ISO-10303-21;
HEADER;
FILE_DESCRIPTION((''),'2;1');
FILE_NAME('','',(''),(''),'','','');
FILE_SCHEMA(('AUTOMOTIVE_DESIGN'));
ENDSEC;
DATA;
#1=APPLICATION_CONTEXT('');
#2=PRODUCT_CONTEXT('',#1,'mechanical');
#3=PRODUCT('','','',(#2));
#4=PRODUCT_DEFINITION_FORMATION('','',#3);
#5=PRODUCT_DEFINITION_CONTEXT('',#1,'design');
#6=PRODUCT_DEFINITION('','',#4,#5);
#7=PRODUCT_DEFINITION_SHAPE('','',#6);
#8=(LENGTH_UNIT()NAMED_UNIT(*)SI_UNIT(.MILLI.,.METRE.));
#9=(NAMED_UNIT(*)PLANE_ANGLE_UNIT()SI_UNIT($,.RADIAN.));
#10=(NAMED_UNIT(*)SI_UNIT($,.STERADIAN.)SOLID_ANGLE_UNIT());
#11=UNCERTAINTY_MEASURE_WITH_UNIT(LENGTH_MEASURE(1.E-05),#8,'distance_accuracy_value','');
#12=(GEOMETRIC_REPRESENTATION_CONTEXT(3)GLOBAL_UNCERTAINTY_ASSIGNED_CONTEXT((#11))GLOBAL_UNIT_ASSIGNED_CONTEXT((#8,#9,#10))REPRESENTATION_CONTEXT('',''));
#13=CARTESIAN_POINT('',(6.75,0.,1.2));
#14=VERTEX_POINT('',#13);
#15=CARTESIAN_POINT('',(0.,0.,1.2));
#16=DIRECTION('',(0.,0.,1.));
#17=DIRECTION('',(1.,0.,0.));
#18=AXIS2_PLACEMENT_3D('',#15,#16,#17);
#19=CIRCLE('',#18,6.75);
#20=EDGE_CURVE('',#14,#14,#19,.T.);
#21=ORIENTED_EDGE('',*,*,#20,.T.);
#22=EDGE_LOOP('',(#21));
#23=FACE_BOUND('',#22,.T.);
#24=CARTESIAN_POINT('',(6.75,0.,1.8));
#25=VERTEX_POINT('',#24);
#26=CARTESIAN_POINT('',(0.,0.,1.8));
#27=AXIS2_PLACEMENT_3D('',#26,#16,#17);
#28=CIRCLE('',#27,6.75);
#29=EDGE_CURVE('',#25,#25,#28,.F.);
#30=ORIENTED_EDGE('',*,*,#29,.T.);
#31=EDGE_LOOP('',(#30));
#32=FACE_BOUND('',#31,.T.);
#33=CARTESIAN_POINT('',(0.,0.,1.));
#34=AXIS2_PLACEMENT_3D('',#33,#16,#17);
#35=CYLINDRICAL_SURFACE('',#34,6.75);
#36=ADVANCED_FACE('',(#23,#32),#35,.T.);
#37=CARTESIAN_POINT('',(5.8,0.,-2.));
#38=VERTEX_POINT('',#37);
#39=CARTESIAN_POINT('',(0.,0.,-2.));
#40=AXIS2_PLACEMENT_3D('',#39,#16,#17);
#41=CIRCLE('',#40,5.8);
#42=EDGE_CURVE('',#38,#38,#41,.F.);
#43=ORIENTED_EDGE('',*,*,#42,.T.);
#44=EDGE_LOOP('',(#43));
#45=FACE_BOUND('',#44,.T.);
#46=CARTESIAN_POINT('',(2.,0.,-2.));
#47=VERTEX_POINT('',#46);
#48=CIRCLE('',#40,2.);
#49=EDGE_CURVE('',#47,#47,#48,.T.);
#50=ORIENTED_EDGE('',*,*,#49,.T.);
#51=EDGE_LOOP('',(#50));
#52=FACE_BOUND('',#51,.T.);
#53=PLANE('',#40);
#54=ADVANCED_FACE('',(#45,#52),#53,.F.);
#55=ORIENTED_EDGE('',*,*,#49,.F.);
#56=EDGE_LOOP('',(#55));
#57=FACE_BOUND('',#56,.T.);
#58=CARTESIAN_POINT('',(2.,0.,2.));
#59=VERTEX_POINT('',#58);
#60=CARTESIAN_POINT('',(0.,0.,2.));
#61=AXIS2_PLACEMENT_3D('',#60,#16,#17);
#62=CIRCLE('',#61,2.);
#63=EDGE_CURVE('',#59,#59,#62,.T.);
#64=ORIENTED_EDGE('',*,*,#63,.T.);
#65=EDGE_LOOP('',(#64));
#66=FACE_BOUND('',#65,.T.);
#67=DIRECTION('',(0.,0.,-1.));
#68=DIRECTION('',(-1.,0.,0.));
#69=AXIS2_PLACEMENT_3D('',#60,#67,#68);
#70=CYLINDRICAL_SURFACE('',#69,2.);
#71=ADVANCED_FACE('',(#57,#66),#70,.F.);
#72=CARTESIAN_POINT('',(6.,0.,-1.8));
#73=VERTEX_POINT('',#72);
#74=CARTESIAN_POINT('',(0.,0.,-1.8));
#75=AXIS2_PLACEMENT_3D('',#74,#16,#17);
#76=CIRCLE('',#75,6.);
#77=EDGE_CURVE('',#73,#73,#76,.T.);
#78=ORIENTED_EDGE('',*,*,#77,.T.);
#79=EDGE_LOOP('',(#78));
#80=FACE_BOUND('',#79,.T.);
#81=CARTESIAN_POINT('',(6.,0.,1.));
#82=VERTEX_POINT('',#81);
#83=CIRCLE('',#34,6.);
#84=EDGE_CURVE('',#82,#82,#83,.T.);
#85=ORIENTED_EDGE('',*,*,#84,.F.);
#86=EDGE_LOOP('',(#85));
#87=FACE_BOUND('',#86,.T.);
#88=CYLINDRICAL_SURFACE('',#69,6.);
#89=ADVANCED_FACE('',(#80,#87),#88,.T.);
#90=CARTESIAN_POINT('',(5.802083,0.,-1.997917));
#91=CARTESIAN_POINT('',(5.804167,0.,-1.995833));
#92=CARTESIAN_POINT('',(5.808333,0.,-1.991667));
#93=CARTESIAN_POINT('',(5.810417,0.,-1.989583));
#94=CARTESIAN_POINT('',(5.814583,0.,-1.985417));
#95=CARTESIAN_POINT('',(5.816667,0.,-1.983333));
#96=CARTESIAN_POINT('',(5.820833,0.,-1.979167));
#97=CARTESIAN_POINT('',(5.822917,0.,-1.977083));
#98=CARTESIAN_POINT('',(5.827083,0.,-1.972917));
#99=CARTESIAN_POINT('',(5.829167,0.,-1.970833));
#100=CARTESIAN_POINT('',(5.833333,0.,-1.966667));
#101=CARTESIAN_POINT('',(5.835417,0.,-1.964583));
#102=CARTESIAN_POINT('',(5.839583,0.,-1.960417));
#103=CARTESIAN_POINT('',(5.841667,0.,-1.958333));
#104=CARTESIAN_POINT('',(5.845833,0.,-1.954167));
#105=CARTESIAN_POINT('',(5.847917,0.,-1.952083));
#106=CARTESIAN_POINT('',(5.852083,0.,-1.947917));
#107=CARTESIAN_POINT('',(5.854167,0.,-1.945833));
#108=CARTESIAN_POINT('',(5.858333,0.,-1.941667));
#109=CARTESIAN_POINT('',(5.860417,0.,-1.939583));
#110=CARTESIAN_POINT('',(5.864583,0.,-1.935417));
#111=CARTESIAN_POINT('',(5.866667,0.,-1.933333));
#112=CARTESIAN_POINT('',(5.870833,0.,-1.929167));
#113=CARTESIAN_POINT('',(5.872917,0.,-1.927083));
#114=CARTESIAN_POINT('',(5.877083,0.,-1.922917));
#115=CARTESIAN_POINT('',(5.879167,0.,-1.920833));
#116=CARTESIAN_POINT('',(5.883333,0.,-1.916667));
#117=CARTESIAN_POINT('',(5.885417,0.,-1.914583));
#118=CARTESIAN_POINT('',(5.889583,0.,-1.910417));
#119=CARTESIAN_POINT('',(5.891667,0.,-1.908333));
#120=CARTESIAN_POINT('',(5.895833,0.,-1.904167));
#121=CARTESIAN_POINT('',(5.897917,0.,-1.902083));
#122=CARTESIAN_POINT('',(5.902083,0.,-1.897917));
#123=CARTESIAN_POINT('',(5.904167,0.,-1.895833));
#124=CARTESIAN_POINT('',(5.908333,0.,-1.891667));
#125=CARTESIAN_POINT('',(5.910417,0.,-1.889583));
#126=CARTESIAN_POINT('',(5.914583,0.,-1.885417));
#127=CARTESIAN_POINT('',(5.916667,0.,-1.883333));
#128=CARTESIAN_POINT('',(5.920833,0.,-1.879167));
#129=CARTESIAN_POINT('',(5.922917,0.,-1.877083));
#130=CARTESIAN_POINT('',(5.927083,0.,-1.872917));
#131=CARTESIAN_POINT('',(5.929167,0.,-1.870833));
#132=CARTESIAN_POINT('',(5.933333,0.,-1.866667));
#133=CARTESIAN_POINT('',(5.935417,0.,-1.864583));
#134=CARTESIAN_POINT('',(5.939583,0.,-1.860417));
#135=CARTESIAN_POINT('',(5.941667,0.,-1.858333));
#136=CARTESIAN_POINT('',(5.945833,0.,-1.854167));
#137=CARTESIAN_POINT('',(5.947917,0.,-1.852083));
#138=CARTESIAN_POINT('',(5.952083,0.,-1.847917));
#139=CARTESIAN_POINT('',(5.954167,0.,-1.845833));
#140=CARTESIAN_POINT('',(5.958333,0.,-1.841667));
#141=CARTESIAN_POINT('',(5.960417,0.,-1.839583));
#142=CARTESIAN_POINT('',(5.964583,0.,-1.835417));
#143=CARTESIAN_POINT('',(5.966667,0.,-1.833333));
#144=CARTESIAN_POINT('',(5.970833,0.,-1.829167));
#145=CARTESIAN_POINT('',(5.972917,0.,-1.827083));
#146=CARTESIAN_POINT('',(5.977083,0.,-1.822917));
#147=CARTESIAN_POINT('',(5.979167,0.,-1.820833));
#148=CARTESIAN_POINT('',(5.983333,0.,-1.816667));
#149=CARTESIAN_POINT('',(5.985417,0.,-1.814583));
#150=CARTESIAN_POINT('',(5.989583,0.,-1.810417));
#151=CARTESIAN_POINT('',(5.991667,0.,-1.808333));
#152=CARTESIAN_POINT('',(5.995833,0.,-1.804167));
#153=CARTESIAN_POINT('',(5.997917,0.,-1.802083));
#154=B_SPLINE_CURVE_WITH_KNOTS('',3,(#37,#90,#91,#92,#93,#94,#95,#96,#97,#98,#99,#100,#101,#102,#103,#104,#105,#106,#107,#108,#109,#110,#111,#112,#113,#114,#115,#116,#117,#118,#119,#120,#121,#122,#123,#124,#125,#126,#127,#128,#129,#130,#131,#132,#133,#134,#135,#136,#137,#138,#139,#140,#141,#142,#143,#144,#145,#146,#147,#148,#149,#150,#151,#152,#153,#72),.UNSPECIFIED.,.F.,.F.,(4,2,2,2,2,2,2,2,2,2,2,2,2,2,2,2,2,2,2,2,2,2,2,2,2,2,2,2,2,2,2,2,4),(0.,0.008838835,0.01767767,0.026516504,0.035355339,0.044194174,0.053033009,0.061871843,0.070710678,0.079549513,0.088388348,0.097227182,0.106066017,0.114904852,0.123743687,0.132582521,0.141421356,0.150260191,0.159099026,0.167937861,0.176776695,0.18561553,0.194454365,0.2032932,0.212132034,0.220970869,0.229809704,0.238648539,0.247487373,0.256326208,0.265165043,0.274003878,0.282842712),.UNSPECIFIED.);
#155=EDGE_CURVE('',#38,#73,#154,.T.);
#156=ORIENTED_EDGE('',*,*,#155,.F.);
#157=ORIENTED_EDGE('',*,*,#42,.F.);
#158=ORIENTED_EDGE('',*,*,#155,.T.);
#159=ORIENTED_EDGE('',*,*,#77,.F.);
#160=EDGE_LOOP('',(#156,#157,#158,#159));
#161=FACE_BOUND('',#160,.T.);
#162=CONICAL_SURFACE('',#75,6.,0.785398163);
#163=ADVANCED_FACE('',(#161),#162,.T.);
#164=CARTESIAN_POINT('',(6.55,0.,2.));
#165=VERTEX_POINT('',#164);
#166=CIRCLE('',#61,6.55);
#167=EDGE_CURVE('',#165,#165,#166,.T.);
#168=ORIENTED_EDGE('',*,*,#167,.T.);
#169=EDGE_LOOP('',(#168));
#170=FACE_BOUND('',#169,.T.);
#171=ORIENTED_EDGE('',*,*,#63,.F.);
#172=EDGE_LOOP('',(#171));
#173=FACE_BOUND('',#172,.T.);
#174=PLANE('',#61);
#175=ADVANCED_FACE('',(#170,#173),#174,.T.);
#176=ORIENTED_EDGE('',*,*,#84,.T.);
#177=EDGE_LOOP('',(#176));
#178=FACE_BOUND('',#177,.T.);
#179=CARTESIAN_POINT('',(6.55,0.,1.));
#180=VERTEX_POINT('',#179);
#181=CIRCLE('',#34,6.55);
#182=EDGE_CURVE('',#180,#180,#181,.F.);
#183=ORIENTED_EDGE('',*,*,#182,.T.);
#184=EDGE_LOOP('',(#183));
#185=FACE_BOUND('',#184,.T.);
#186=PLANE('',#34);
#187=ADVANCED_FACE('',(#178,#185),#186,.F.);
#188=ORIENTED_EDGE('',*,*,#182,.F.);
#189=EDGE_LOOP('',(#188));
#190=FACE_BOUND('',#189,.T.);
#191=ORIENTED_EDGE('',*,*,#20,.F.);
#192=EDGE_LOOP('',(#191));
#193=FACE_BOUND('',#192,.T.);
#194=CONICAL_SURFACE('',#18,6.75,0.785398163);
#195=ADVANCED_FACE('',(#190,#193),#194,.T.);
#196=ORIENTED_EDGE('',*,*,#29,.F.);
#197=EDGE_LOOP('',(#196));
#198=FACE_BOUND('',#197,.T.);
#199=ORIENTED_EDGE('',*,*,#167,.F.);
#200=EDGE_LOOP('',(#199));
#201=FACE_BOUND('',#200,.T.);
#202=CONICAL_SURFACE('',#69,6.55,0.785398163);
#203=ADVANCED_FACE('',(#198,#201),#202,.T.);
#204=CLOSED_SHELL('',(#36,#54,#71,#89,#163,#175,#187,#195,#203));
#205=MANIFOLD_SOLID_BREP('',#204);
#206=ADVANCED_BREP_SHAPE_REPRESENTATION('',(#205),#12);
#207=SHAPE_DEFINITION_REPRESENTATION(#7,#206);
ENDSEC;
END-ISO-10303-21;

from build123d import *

# Parameters (mm, degrees)
SKETCH_1_R      = 6
SKETCH_1_R_2    = 2
EXTRUDE_1_DEPTH = 2
EXTRUDE_START   = -1
SKETCH_2_R      = 6.75
SKETCH_2_R_2    = 2
EXTRUDE_2_DEPTH = 1
CHAMFER_1_SIZE  = 0.2


with BuildPart() as part:
    # 草图1 → 凸台-拉伸1 (new, symmetric)
    with BuildSketch(Plane.XY):
        Circle(SKETCH_1_R)
        Circle(SKETCH_1_R_2, mode=Mode.SUBTRACT)
    extrude(amount=EXTRUDE_1_DEPTH, both=True)

    # 草图2 → 凸台-拉伸2 (add)
    with BuildSketch(Plane.XY.offset(2).offset(EXTRUDE_START)):
        Circle(SKETCH_2_R)
        Circle(SKETCH_2_R_2, mode=Mode.SUBTRACT)
    extrude(amount=EXTRUDE_2_DEPTH)

    # 倒角1
    chamfer_1_edges = [part.edges().sort_by_distance(p)[0] for p in [
        (-6.75, 0, 2),
        (-6.75, 0, 1),
        (-6, 0, -2),
    ]]
    chamfer(chamfer_1_edges, length=CHAMFER_1_SIZE)


solid = part.part
